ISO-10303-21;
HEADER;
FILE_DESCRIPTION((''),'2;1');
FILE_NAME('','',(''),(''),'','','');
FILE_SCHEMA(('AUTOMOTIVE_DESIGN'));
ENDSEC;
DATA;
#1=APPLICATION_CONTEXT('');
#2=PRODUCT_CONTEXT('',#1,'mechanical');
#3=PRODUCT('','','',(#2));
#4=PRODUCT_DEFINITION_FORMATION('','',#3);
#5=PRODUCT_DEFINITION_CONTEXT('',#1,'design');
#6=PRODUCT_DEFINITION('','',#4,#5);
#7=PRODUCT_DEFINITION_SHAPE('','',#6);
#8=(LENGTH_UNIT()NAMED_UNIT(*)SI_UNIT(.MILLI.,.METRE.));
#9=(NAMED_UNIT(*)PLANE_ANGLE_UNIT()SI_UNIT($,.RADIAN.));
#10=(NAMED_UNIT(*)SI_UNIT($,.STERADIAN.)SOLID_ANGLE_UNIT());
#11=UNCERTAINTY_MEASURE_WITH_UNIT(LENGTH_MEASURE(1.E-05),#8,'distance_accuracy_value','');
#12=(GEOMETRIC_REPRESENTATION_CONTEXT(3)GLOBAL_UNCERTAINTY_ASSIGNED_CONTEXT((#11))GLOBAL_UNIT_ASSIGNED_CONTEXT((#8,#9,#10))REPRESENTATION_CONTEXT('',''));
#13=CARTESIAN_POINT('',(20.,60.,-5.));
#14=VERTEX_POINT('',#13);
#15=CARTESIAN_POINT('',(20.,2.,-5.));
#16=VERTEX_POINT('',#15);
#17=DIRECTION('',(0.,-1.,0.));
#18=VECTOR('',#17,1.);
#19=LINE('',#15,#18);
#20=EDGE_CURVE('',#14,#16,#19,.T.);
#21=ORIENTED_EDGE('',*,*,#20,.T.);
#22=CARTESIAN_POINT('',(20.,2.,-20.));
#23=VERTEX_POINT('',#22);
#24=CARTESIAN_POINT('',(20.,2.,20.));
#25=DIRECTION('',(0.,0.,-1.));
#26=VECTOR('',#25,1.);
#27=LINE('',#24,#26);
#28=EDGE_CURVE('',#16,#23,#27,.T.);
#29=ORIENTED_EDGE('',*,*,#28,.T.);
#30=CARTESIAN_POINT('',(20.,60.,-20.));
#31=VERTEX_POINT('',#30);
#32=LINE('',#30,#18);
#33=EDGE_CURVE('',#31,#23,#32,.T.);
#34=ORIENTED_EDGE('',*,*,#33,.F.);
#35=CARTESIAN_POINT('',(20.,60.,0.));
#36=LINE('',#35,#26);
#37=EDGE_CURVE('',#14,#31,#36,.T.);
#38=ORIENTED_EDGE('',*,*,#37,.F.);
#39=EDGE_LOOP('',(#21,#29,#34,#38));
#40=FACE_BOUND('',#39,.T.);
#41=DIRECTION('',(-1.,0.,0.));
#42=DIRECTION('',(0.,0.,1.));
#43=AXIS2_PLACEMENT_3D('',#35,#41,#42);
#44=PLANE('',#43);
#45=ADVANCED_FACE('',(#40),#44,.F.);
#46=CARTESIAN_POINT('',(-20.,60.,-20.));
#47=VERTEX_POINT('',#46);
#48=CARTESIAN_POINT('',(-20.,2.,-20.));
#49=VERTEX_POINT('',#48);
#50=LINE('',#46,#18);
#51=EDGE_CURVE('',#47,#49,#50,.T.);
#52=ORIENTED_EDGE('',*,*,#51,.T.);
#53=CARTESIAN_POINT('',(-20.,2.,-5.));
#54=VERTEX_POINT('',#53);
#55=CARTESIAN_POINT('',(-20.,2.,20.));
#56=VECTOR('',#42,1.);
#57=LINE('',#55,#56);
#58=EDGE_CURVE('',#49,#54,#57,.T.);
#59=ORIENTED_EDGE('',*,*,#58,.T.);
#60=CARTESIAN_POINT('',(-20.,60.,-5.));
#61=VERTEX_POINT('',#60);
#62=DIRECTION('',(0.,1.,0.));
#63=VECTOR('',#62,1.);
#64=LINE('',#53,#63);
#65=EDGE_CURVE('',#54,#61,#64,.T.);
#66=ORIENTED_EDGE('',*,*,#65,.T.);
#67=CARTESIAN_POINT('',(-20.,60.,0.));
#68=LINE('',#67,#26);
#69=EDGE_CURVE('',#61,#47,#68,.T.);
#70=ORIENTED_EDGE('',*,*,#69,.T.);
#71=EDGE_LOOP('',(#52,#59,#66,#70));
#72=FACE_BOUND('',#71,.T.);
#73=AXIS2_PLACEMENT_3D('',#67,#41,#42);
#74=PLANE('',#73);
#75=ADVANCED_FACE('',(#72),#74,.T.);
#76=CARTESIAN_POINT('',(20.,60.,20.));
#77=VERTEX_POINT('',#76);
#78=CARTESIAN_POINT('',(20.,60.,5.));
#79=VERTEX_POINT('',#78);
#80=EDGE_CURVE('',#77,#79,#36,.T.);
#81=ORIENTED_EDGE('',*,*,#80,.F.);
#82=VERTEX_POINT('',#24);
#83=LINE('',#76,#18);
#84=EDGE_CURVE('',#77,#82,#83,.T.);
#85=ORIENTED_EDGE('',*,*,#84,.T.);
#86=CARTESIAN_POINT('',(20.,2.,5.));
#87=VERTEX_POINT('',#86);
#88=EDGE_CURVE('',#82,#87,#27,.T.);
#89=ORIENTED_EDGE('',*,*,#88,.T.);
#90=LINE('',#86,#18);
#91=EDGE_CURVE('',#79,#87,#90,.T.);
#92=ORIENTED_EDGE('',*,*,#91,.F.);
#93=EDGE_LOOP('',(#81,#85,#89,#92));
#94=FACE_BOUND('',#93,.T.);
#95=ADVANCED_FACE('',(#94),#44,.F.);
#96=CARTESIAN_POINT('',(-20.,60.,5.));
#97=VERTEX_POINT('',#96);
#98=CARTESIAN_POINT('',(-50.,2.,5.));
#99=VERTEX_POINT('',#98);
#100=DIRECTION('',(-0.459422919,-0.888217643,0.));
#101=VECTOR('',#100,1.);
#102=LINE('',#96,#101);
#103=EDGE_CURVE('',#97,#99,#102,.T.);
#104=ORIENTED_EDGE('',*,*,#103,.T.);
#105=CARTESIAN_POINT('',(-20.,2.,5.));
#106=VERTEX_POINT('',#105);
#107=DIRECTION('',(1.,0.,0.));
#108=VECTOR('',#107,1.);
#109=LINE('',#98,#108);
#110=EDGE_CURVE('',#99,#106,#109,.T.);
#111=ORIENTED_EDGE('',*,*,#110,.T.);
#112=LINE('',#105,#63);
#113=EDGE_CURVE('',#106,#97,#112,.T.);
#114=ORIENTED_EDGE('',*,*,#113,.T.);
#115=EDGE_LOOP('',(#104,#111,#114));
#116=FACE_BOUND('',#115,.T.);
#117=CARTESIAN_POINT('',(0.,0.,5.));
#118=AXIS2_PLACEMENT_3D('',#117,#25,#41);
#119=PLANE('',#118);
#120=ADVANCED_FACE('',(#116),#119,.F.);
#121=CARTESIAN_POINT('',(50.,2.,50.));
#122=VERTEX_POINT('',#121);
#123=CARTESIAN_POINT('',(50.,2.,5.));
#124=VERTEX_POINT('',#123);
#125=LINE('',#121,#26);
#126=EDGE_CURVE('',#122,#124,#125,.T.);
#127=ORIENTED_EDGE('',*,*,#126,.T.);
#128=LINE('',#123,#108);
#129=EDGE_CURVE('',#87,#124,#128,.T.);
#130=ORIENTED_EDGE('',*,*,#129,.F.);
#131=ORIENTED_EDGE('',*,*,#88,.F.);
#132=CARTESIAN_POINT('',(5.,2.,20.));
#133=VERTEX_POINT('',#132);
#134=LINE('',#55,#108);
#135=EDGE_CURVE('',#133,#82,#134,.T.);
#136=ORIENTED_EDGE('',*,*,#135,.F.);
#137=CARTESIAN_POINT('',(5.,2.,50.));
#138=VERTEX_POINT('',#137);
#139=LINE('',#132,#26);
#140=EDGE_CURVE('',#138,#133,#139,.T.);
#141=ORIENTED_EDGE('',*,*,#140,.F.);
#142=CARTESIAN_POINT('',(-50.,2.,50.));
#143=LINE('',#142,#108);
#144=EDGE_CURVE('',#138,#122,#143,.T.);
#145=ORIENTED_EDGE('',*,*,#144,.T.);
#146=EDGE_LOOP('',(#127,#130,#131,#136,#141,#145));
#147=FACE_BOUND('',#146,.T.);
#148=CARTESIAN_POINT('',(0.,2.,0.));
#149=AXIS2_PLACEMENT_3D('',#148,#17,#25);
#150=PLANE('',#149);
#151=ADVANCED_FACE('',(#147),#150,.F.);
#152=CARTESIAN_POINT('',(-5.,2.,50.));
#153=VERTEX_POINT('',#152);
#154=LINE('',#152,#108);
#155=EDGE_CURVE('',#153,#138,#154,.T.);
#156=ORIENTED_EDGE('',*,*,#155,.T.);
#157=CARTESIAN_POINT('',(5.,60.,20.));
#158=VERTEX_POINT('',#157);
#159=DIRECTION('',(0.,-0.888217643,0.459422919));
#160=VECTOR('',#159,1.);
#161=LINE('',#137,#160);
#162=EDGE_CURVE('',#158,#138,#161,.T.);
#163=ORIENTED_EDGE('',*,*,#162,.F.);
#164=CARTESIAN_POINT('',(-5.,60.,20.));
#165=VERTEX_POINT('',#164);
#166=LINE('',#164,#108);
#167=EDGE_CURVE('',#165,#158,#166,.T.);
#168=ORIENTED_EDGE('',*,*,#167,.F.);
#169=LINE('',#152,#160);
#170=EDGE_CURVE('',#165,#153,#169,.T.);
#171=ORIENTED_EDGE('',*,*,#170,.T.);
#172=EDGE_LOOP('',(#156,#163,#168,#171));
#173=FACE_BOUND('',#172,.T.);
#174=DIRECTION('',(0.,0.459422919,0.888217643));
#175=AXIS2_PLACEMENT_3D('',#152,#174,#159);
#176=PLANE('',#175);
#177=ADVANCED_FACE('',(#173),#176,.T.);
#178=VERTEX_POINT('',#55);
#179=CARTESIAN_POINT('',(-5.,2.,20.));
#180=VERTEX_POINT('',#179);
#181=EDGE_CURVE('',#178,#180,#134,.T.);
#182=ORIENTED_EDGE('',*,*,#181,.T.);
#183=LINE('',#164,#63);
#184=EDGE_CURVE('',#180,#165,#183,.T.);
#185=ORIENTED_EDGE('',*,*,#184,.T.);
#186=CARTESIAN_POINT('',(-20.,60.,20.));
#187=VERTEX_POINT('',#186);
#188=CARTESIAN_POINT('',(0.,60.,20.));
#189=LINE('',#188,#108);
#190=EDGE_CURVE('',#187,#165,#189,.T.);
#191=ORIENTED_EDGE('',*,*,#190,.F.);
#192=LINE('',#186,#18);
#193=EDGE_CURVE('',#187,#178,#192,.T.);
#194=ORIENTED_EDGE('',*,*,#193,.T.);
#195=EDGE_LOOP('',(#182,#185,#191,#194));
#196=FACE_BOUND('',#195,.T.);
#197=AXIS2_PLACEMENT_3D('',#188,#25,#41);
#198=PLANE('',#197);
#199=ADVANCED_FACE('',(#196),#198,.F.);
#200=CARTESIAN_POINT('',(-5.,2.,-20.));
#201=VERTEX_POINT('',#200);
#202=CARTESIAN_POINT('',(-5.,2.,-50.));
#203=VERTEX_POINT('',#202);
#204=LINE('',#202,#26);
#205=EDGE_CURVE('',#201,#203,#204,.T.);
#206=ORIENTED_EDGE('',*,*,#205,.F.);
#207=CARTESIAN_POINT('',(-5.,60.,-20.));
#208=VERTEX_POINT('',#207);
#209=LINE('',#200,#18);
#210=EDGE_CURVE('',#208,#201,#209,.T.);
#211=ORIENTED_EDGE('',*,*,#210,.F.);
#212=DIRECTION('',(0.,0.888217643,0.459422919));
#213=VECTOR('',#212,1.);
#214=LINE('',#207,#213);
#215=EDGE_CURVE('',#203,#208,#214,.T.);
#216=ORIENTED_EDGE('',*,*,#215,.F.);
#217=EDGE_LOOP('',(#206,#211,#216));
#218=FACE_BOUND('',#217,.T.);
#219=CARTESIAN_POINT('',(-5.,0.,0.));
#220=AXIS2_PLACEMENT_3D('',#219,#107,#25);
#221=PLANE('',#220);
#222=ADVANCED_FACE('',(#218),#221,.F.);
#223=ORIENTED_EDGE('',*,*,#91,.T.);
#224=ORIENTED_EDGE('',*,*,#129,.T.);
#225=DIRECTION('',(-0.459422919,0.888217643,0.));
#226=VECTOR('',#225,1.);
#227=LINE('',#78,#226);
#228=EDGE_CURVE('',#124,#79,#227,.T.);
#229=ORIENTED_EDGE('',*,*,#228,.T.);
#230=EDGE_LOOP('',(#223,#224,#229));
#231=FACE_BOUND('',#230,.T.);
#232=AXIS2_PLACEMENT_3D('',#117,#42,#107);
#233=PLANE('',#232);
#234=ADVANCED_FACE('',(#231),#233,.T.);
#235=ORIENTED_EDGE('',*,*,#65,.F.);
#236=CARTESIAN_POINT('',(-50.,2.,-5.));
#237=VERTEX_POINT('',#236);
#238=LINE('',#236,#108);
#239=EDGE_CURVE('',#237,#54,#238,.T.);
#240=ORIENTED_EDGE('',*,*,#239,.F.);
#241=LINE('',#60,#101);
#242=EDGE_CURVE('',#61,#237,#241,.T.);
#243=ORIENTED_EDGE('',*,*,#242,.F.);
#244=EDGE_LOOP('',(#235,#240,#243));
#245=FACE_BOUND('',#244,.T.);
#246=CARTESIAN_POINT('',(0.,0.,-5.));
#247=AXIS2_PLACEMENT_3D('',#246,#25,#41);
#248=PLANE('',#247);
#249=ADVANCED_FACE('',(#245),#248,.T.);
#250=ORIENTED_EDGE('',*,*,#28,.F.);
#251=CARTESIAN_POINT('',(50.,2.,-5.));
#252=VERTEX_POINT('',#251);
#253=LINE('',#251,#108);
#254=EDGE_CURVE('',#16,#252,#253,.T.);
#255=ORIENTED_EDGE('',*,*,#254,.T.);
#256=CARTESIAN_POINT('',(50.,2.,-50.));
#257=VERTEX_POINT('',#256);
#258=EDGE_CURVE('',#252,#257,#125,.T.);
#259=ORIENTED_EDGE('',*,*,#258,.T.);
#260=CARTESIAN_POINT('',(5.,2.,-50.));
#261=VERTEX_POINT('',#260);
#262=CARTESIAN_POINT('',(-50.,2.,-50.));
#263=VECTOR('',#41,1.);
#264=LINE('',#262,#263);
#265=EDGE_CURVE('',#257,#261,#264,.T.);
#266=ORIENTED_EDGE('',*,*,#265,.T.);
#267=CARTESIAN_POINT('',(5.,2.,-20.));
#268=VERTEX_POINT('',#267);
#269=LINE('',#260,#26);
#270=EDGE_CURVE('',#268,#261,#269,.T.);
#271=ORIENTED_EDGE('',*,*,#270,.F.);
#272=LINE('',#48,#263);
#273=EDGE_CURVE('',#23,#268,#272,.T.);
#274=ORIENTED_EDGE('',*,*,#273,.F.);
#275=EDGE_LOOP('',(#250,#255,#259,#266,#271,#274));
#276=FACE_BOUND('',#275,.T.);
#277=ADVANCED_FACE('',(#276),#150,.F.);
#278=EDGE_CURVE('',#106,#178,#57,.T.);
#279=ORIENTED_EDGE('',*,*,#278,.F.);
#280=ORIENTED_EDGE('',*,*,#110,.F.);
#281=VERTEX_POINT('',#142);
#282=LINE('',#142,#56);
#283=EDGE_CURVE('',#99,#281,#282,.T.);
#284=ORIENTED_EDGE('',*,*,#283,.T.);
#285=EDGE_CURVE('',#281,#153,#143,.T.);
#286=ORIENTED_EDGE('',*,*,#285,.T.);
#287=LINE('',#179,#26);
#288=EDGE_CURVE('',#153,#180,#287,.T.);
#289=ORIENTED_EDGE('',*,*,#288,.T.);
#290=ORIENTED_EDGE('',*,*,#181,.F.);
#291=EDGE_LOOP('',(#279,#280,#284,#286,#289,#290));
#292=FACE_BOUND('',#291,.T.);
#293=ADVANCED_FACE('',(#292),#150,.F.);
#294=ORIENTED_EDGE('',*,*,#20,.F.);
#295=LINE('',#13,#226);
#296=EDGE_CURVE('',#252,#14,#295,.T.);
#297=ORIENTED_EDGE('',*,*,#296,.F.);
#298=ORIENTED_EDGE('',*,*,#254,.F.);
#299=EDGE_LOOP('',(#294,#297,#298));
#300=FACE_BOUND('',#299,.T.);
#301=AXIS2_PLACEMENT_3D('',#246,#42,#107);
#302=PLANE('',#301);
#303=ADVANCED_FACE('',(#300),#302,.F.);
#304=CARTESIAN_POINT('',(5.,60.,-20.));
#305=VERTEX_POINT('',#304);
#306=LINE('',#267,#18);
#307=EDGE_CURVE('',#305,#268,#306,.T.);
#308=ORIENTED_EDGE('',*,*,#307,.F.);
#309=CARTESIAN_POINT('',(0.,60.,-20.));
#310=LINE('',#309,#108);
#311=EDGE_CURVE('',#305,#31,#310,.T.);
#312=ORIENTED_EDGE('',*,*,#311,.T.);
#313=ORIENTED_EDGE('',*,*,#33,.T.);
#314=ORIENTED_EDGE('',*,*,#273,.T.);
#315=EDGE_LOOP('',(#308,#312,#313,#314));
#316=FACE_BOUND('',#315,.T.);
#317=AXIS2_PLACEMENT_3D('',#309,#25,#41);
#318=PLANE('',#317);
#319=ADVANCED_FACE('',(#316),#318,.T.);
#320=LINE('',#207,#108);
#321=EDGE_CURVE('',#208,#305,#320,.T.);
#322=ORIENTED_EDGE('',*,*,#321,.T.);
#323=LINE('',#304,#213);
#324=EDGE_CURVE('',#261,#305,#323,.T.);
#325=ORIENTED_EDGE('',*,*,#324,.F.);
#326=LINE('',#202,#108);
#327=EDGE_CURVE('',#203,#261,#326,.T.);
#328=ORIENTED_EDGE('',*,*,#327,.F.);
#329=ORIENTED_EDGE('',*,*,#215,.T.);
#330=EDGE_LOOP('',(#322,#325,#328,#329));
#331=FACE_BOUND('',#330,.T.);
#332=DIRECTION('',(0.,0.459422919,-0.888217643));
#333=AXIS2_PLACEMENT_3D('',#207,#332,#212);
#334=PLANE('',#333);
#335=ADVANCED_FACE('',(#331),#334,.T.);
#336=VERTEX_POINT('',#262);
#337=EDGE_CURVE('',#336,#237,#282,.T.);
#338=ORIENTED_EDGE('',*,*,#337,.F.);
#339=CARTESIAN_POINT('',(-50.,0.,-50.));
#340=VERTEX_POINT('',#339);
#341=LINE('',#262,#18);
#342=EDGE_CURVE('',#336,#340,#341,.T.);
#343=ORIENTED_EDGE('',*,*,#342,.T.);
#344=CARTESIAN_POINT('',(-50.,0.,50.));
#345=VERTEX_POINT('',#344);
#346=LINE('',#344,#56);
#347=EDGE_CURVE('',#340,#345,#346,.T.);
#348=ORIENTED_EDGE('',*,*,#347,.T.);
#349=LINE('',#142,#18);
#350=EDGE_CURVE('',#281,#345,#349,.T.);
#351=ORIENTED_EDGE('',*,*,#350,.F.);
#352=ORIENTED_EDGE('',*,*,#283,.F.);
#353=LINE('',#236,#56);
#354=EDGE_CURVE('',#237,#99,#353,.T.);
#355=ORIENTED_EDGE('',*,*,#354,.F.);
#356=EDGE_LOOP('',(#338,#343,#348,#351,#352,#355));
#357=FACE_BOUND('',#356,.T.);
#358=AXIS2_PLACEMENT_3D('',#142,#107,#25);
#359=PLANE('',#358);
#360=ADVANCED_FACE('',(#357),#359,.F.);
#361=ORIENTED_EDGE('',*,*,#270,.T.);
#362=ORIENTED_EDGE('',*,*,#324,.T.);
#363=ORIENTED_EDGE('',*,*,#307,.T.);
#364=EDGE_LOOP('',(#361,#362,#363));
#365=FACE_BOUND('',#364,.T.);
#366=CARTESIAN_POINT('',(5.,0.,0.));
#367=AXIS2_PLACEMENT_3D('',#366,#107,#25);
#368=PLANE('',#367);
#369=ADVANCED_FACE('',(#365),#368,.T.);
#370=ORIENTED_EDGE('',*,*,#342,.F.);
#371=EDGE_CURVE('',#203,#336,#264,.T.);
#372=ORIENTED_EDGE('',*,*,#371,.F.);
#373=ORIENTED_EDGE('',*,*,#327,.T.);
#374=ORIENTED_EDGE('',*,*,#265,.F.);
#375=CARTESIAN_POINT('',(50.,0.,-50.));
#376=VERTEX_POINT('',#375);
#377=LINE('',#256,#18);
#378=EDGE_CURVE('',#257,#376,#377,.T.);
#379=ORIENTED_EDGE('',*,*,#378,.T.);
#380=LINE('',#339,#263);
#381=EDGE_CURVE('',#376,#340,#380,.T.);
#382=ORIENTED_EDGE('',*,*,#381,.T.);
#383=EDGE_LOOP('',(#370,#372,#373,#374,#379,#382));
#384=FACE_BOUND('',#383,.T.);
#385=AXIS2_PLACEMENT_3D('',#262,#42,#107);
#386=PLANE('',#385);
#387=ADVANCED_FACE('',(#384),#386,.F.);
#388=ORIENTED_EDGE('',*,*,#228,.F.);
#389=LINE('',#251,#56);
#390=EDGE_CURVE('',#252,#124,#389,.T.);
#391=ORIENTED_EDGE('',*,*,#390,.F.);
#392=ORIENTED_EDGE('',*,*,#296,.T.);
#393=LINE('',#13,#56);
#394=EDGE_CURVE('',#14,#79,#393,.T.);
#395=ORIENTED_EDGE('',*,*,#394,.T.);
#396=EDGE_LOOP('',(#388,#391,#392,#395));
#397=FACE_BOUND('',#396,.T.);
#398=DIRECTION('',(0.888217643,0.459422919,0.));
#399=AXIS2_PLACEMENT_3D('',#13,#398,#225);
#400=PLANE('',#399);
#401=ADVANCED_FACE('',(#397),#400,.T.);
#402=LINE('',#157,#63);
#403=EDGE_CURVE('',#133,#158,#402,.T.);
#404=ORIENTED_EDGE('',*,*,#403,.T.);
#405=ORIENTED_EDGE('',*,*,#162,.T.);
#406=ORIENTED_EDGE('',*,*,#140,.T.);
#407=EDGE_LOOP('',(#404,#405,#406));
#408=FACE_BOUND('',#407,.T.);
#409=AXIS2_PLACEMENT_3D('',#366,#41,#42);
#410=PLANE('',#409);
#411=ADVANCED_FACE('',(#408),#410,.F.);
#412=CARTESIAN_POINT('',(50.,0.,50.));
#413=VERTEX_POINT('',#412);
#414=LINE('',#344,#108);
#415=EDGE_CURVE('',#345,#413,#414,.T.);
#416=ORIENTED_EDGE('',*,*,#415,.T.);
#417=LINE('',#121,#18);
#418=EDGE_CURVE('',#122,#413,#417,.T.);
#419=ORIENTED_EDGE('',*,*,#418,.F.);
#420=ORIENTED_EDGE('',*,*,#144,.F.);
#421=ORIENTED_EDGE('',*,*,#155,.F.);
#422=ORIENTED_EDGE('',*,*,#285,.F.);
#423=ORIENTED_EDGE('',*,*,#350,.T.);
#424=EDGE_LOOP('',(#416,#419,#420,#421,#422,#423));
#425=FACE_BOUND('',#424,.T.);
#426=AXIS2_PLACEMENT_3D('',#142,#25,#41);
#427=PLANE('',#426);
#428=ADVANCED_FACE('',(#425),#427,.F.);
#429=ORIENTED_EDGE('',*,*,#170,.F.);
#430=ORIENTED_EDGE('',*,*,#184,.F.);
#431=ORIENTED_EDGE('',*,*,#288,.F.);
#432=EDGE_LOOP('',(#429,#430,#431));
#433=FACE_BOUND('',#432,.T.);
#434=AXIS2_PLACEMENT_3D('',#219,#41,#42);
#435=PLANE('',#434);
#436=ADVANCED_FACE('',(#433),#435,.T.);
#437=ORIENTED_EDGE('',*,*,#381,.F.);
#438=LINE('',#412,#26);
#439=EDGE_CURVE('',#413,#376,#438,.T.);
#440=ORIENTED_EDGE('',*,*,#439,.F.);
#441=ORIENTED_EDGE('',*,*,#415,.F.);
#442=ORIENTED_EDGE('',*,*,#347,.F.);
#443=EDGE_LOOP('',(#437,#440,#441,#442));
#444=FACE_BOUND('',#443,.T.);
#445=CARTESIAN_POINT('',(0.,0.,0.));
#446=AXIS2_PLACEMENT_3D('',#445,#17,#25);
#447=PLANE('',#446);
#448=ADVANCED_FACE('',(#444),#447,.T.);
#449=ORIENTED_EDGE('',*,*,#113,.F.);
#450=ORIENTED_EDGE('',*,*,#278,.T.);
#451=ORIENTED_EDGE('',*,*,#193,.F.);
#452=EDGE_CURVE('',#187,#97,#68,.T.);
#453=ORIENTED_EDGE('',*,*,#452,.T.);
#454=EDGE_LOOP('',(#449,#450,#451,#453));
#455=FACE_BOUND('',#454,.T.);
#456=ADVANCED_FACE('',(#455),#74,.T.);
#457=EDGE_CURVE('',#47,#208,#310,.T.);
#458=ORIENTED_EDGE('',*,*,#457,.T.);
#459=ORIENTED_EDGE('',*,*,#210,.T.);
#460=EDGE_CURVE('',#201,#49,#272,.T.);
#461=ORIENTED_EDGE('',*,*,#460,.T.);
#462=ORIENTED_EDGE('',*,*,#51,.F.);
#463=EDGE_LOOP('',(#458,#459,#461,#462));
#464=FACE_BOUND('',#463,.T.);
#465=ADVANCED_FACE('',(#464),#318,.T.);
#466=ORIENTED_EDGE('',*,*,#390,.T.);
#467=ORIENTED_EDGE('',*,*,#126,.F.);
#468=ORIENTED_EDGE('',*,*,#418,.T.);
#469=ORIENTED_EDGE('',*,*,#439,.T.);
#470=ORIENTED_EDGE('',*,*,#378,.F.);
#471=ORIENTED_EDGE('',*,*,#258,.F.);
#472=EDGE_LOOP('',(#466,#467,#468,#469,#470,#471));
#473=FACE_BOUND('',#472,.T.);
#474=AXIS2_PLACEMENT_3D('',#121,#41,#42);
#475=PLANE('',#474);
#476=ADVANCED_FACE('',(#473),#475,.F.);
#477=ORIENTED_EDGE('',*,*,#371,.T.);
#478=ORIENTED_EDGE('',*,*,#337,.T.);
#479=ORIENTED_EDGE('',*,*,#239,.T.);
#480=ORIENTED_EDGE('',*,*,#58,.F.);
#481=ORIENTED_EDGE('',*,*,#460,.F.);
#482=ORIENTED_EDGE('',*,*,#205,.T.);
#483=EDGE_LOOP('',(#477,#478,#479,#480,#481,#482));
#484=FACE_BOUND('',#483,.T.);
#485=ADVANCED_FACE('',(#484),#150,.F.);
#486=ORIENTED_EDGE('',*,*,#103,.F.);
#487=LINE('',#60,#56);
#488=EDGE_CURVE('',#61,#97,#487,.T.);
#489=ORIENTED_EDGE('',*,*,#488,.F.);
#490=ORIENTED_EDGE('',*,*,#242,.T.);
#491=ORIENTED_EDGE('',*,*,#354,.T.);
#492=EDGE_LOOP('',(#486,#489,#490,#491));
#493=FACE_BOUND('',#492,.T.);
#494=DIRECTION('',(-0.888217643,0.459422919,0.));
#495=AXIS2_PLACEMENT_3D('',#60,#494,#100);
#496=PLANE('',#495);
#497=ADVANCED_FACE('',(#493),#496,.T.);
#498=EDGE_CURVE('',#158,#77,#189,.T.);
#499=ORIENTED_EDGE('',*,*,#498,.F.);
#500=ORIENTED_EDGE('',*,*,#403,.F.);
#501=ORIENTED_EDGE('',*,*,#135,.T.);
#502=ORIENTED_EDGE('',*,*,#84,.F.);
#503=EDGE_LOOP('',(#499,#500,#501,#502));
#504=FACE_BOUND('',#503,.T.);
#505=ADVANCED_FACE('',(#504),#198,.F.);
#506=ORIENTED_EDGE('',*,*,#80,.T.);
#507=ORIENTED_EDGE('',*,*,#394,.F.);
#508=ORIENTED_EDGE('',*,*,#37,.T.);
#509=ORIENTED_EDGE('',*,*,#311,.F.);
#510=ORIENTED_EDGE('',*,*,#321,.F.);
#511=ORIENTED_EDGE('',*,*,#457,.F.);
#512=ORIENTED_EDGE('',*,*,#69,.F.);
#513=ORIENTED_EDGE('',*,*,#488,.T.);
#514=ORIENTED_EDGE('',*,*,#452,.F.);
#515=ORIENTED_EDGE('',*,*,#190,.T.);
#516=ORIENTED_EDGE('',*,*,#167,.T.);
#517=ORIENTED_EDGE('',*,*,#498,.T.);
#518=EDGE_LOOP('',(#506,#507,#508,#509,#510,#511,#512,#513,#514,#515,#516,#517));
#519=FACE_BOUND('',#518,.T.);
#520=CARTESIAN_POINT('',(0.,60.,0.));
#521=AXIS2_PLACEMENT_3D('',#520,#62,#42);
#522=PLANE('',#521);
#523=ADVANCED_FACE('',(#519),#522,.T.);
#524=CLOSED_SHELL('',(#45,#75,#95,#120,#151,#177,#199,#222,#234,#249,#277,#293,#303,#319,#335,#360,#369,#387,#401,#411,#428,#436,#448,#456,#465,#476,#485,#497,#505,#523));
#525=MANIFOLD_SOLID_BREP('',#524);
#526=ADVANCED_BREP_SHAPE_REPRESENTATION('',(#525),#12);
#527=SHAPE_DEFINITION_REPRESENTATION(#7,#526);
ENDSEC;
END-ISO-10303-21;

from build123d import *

# Parameters (mm, degrees)
CROQUIS2_W                   = 100
CROQUIS2_H                   = 100
CROQUIS2_W_2                 = 40
CROQUIS2_H_2                 = 40
SALIENTE_EXTRUIR1_DEPTH      = 2
CROQUIS2_2_W                 = 40
CROQUIS2_2_H                 = 40
SALIENTE_EXTRUIR2_DEPTH      = 60
SALIENTE_EXTRUIR3_DEPTH      = 5
SALIENTE_EXTRUIR3_DEPTH_BACK = 5
SALIENTE_EXTRUIR4_DEPTH      = 5
SALIENTE_EXTRUIR4_DEPTH_BACK = 5


with BuildPart() as part:
    # Croquis2 → Saliente-Extruir1 (new body)
    with BuildSketch(Plane(origin=(0, 0, 0), x_dir=(1, 0, 0), z_dir=(0, 1, 0))):
        Rectangle(CROQUIS2_W, CROQUIS2_H)
        Rectangle(CROQUIS2_W_2, CROQUIS2_H_2, mode=Mode.SUBTRACT)
    extrude(amount=SALIENTE_EXTRUIR1_DEPTH)

    # Croquis2<2> → Saliente-Extruir2 (add)
    with BuildSketch(Plane(origin=(0, 0, 0), x_dir=(1, 0, 0), z_dir=(0, 1, 0))):
        Rectangle(CROQUIS2_2_W, CROQUIS2_2_H)
    extrude(amount=SALIENTE_EXTRUIR2_DEPTH)

    # Croquis4 → Saliente-Extruir3 (add, two sides: drawn at the far end of the back side and taken through both)
    with BuildSketch(Plane(origin=(0, 0, 0), x_dir=(0, 0, -1), z_dir=(1, 0, 0)).offset(-SALIENTE_EXTRUIR3_DEPTH_BACK)):
        Polygon((20, 60), (50, 2), (20, 2), align=None)
        Polygon((-20, 2), (-50, 2), (-20, 60), align=None)
    extrude(amount=SALIENTE_EXTRUIR3_DEPTH + SALIENTE_EXTRUIR3_DEPTH_BACK)

    # Croquis5 → Saliente-Extruir4 (add, two sides: drawn at the far end of the back side and taken through both)
    with BuildSketch(Plane.XY.offset(-SALIENTE_EXTRUIR4_DEPTH_BACK)):
        Polygon((20, 60), (50, 2), (20, 2), align=None)
        Polygon((-20, 60), (-50, 2), (-20, 2), align=None)
    extrude(amount=SALIENTE_EXTRUIR4_DEPTH + SALIENTE_EXTRUIR4_DEPTH_BACK)


solid = part.part
